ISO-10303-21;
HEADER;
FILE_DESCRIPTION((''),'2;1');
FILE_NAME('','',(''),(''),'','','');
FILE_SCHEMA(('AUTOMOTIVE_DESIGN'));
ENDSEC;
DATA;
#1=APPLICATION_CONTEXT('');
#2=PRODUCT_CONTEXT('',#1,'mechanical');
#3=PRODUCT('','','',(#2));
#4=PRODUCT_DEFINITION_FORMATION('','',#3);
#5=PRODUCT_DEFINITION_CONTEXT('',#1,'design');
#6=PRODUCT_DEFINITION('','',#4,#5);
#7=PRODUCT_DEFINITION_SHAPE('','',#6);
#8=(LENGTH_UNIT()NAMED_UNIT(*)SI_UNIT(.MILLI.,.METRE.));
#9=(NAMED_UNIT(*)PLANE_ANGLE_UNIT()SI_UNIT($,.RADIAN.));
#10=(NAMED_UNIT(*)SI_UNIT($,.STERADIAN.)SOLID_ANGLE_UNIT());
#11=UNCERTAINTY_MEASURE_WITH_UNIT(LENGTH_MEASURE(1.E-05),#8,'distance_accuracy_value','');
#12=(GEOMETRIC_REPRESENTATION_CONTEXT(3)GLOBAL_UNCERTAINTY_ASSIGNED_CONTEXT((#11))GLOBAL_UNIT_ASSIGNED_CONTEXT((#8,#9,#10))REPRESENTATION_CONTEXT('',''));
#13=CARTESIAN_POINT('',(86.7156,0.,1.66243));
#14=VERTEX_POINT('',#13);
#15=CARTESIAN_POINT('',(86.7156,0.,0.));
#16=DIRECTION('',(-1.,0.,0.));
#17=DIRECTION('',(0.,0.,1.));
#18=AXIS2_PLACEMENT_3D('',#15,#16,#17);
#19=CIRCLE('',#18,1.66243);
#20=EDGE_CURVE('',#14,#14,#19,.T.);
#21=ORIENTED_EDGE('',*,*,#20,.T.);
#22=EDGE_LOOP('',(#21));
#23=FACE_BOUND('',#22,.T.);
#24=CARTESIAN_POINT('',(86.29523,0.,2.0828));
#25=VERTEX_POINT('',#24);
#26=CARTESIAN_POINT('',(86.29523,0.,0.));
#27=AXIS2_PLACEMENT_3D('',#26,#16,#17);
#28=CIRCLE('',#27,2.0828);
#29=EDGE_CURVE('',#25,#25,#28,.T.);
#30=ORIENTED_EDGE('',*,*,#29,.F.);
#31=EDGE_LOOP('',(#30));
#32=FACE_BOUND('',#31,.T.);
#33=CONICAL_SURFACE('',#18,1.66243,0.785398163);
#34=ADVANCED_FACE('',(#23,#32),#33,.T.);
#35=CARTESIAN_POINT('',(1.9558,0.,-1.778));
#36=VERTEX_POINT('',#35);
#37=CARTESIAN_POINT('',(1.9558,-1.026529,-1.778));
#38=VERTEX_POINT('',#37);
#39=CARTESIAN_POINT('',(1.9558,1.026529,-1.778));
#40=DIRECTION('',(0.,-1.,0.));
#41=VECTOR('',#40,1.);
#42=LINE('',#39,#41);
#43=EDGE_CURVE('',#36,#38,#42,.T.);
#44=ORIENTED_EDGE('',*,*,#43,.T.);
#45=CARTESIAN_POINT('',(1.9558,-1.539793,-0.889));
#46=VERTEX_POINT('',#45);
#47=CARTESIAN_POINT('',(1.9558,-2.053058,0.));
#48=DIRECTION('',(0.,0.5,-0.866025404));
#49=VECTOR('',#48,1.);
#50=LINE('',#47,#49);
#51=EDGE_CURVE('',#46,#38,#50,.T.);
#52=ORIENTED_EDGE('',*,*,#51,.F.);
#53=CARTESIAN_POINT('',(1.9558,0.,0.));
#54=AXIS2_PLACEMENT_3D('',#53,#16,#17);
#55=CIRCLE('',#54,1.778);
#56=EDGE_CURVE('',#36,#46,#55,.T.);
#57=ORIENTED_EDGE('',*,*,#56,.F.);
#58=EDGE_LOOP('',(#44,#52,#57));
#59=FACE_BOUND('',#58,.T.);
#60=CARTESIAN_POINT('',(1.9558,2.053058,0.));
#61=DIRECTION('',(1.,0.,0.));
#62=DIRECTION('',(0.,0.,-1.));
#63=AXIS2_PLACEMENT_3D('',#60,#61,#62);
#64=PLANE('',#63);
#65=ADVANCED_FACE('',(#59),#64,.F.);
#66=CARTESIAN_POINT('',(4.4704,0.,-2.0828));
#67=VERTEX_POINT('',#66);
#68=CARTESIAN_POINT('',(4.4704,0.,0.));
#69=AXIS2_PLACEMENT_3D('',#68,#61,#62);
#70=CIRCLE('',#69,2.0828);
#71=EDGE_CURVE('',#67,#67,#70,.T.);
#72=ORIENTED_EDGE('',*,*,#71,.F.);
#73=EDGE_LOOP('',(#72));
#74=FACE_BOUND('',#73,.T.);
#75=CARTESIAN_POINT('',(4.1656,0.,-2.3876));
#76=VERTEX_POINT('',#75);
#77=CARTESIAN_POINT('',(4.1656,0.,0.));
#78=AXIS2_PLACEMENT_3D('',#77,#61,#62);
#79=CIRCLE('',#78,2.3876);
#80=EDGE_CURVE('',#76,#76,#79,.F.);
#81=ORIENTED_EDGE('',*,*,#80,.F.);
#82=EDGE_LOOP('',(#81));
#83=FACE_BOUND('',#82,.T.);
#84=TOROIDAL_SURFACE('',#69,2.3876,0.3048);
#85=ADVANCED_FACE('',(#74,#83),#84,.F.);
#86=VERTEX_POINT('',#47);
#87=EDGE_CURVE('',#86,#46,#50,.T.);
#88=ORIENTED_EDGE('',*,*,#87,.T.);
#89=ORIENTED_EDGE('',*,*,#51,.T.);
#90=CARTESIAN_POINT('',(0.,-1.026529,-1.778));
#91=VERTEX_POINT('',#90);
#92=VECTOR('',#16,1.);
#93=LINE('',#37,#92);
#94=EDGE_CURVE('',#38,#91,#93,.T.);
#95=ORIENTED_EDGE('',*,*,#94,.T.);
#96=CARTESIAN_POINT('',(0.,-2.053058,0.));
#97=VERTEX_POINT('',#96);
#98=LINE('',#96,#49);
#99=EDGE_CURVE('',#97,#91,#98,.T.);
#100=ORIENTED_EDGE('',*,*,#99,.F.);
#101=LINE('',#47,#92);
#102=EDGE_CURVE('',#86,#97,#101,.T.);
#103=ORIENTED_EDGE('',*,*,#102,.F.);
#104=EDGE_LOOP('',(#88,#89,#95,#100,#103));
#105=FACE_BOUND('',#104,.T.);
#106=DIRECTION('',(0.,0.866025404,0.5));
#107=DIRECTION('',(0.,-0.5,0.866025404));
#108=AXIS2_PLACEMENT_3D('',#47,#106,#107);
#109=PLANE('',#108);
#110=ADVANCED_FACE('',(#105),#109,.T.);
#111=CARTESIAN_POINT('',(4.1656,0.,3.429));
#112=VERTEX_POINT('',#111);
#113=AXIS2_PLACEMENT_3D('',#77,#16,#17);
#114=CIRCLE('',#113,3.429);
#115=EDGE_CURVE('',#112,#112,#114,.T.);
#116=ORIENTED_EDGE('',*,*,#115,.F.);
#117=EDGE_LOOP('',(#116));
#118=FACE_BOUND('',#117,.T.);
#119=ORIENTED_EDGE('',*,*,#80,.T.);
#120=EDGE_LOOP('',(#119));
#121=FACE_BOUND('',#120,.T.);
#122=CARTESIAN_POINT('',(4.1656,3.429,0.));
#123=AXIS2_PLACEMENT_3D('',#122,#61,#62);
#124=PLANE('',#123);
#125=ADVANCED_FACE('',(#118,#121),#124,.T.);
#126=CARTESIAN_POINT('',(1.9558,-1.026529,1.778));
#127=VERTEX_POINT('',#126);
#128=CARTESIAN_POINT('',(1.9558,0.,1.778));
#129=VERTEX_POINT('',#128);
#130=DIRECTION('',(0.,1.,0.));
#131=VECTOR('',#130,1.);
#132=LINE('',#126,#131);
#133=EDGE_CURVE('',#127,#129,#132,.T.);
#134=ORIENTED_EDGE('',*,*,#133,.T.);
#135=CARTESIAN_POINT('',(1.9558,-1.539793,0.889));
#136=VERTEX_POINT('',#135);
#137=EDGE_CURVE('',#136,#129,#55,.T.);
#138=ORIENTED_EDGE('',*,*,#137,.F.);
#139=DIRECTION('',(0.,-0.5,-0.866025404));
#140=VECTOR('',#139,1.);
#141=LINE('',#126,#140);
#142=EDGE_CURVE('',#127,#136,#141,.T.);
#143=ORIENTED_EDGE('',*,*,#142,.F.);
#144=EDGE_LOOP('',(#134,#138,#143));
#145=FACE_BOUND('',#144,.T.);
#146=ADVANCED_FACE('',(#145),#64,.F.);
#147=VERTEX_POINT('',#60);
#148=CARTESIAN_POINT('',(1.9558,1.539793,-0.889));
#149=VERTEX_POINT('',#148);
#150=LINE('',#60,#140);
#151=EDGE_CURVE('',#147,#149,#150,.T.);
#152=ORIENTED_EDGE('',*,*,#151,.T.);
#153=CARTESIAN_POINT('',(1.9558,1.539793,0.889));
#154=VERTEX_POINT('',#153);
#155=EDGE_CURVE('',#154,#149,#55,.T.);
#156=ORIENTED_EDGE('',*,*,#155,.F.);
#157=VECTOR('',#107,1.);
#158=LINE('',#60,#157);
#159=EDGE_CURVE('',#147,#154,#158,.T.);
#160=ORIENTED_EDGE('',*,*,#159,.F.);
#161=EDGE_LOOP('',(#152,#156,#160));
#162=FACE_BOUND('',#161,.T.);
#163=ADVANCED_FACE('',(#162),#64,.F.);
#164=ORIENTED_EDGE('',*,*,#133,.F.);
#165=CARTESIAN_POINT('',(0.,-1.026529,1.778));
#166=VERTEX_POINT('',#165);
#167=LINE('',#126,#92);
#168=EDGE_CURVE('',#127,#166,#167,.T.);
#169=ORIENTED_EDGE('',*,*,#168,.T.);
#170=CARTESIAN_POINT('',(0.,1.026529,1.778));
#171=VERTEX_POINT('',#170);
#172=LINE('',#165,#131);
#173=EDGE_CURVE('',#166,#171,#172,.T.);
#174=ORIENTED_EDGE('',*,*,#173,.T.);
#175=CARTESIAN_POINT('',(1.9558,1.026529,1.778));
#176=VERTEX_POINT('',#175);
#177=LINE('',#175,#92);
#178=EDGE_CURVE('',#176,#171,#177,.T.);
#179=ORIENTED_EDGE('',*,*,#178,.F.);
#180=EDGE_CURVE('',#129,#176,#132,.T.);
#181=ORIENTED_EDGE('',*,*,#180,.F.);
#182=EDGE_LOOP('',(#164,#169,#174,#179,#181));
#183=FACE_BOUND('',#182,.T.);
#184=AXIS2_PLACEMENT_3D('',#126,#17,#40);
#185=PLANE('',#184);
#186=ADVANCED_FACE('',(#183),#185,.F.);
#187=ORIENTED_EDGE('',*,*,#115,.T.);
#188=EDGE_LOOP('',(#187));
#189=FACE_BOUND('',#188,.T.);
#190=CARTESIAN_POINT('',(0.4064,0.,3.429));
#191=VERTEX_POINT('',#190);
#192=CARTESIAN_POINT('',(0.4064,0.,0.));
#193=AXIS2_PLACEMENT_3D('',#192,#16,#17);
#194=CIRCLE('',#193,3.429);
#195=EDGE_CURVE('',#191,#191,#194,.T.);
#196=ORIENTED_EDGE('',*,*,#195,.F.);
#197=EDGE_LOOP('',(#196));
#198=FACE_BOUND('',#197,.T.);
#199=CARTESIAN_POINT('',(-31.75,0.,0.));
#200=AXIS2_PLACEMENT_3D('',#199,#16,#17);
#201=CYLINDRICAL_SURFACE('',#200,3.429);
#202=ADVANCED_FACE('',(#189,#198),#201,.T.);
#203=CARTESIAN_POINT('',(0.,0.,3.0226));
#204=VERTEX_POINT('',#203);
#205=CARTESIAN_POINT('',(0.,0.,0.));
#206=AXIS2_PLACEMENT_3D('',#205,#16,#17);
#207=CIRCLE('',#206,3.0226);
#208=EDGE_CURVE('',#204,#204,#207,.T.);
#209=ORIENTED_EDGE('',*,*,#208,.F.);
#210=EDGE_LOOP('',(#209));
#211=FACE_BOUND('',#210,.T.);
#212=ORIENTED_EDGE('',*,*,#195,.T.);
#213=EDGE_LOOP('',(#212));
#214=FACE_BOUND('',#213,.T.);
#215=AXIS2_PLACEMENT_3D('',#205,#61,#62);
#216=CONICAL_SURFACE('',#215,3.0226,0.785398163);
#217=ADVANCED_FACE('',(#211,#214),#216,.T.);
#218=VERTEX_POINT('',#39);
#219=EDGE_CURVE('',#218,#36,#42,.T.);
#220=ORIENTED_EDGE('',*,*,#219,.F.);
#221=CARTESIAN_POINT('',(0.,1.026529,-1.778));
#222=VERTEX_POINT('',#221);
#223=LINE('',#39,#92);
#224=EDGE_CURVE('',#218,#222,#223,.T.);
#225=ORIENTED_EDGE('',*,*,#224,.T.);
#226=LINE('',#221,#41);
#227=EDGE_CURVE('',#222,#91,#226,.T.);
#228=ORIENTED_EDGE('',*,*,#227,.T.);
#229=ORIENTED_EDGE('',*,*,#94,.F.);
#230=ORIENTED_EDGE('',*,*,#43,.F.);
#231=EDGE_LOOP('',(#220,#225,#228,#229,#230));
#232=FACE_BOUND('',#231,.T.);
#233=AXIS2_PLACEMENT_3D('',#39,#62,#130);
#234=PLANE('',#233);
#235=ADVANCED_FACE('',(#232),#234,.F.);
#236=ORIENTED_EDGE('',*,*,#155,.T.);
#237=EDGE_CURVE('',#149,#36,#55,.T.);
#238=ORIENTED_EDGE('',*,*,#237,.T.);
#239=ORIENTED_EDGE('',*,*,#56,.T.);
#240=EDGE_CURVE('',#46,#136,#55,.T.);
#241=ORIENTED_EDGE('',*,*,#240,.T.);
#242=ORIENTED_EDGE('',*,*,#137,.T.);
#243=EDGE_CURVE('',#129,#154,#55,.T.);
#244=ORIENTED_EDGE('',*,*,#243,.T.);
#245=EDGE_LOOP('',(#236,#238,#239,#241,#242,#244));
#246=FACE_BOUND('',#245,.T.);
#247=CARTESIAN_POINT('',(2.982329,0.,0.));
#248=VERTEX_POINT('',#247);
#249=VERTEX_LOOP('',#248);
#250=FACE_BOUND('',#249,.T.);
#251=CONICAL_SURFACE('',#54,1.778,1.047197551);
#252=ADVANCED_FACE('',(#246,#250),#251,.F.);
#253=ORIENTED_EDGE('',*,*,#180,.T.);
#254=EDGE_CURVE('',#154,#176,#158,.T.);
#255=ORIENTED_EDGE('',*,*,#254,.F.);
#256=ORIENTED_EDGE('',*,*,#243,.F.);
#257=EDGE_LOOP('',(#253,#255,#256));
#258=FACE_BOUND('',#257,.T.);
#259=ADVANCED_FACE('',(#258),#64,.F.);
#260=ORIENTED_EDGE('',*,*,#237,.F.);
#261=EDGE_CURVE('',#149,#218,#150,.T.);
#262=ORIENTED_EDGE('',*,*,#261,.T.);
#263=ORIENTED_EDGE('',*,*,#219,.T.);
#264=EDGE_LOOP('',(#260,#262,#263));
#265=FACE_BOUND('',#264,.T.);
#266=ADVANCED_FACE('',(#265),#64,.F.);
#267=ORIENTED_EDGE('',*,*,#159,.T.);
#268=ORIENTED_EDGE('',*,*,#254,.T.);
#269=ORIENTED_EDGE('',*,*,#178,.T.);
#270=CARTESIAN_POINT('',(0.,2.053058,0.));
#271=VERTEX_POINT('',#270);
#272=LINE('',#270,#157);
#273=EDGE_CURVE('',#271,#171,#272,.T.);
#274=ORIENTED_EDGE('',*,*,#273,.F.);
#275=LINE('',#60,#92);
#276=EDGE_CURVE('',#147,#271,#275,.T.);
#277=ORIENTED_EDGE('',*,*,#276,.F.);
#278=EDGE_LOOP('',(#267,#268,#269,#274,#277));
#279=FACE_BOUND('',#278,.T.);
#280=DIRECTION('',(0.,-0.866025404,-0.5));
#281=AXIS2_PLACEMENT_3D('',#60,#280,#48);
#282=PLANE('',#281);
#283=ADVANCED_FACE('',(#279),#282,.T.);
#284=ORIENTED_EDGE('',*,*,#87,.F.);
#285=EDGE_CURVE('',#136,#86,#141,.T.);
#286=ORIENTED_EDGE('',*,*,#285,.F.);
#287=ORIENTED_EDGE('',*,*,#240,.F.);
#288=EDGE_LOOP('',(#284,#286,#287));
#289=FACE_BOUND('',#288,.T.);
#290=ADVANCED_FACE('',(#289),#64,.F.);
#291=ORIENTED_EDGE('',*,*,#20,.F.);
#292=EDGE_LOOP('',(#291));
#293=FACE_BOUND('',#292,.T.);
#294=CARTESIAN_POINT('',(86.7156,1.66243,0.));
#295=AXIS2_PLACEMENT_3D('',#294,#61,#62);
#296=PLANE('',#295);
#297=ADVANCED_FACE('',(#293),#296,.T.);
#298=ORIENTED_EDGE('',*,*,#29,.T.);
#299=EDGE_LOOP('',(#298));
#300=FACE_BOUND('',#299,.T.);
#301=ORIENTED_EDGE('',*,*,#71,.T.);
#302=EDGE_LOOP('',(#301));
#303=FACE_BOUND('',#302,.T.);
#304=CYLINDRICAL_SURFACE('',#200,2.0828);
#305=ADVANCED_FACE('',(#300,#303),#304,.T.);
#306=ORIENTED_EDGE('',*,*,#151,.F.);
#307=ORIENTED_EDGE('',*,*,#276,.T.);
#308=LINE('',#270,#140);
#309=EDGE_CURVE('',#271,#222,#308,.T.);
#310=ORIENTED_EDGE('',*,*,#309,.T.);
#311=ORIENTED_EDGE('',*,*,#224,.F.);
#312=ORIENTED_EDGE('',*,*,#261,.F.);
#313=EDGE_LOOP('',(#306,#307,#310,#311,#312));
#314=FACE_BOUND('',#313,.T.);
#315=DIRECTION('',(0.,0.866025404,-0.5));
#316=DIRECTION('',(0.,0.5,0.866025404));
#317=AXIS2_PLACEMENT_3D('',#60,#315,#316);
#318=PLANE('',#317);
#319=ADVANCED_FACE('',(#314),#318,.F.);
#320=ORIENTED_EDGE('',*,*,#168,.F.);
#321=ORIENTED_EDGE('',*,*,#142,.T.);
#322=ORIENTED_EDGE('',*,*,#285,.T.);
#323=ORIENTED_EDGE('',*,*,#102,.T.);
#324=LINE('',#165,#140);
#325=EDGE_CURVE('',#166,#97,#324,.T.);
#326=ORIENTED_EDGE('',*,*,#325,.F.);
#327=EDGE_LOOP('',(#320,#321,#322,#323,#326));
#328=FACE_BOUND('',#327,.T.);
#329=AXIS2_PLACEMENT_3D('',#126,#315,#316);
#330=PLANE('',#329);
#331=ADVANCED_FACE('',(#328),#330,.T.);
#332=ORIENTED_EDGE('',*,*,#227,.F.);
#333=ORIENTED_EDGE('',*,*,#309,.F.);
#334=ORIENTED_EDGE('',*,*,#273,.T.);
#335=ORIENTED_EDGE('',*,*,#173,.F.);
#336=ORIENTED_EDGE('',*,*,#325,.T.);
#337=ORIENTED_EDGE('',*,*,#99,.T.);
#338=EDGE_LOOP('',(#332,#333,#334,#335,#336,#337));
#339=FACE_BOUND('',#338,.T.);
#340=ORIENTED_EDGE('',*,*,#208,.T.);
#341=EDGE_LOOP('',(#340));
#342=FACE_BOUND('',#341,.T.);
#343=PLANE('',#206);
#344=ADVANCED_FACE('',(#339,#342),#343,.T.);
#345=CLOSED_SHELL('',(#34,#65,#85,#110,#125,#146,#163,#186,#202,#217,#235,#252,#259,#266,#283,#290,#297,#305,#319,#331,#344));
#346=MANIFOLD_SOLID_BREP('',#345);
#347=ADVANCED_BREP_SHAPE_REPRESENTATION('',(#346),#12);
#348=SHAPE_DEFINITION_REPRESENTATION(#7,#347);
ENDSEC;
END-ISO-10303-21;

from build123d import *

# Parameters (mm, degrees)
FILLET1_R   = 0.3048
HEX_2_DEPTH = 1.9558


with BuildPart() as part:
    # BodySke → Base-Revolve (revolve)
    with BuildSketch(Plane.XY):
        Polygon((0, 0), (0, 3.0226), (0.4064, 3.429), (4.1656, 3.429), (4.1656, 2.0828), (86.29523, 2.0828), (86.7156, 1.66243), (86.7156, 0), align=None)
    revolve(axis=Axis((-31.75, 0, 0), (1, 0, 0)))

    # Fillet1
    fillet1_edges = [part.edges().sort_by_distance(p)[0] for p in [
        (4.1656, -2.0828, 0),
    ]]
    fillet(fillet1_edges, radius=FILLET1_R)

    # Sketch2 → Hex-PreBroach (revolve, cut)
    with BuildSketch(Plane.XY):
        Polygon((0, 1.778), (1.9558, 1.778), (2.982328779, 0), (0, 0), align=None)
    revolve(axis=Axis((0, 0, 0), (1, 0, 0)), mode=Mode.SUBTRACT)

    # Sketch3 → Hex 2 (cut)
    with BuildSketch(Plane(origin=(0, 0, 0), x_dir=(0, 0.5, 0.866025404), z_dir=(-1, 0, 0))):
        Polygon((1.026528779, 1.778), (-1.026528779, 1.778), (-2.053057557, 0), (-1.026528779, -1.778), (1.026528779, -1.778), (2.053057557, 0), align=None)
    extrude(amount=-HEX_2_DEPTH, mode=Mode.SUBTRACT)


solid = part.part
